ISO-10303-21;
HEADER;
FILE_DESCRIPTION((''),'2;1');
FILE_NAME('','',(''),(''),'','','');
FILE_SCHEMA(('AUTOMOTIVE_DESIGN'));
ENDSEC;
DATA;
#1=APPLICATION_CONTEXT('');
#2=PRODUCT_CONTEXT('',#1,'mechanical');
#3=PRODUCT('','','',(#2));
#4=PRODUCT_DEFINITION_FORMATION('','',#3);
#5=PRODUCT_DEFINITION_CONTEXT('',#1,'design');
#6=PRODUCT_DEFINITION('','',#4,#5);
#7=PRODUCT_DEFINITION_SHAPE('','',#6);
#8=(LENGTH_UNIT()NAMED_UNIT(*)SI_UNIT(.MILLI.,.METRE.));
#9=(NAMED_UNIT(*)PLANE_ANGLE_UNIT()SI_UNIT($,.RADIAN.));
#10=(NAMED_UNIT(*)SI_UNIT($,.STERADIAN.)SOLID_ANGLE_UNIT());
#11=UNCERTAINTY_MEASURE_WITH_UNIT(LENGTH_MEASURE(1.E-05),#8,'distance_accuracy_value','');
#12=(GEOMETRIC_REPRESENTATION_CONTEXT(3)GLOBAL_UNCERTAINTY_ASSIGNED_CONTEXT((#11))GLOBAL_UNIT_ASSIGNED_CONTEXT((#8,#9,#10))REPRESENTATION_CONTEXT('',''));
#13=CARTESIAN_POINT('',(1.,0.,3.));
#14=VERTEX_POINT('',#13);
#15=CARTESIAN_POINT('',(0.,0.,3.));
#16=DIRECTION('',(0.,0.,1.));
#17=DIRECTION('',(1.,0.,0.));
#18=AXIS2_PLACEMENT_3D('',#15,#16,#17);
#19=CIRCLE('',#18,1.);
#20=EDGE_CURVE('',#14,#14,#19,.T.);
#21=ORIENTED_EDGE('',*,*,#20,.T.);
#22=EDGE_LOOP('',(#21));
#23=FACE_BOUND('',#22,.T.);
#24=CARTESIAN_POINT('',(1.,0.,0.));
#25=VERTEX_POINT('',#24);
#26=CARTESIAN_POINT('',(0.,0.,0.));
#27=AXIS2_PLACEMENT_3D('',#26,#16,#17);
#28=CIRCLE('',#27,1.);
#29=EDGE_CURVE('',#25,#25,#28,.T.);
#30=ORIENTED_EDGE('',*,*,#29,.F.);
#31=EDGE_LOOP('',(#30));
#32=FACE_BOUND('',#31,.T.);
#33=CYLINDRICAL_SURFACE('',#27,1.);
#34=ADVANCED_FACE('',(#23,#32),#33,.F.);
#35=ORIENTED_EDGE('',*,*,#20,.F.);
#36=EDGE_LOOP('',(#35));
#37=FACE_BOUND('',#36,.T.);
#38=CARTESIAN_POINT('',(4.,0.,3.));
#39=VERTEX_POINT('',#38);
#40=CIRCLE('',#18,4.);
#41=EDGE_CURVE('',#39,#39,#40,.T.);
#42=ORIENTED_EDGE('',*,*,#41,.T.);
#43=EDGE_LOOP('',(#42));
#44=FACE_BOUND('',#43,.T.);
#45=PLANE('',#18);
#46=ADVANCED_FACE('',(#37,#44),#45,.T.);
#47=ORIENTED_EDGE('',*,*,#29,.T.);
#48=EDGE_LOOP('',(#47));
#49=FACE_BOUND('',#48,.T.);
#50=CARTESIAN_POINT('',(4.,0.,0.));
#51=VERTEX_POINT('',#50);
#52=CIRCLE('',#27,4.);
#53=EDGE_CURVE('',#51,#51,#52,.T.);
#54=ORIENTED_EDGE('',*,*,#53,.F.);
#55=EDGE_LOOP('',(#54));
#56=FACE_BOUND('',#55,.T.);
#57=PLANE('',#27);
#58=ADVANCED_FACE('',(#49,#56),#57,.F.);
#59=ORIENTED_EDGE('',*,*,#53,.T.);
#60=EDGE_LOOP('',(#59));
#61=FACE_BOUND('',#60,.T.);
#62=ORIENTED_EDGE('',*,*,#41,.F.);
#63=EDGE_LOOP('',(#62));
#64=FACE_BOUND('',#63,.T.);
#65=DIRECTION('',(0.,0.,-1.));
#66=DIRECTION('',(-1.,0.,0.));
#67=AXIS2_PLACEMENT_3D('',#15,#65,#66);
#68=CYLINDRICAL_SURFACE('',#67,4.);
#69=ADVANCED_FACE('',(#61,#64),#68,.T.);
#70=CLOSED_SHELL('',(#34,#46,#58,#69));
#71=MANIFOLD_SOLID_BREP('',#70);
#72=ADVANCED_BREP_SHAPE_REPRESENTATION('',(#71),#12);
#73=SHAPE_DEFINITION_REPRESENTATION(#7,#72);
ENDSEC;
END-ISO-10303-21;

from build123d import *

# Parameters (mm, degrees)
SKETCH1_R           = 4
BOSS_EXTRUDE1_DEPTH = 3
SKETCH2_R           = 1
CUT_EXTRUDE1_DEPTH  = 3


with BuildPart() as part:
    # Sketch1 → Boss-Extrude1 (new body)
    with BuildSketch(Plane.XY):
        Circle(SKETCH1_R)
    extrude(amount=BOSS_EXTRUDE1_DEPTH)

    # Sketch2 → Cut-Extrude1 (cut)
    with BuildSketch(Plane.XY.offset(3)):
        Circle(SKETCH2_R)
    extrude(amount=-CUT_EXTRUDE1_DEPTH, mode=Mode.SUBTRACT)


solid = part.part
